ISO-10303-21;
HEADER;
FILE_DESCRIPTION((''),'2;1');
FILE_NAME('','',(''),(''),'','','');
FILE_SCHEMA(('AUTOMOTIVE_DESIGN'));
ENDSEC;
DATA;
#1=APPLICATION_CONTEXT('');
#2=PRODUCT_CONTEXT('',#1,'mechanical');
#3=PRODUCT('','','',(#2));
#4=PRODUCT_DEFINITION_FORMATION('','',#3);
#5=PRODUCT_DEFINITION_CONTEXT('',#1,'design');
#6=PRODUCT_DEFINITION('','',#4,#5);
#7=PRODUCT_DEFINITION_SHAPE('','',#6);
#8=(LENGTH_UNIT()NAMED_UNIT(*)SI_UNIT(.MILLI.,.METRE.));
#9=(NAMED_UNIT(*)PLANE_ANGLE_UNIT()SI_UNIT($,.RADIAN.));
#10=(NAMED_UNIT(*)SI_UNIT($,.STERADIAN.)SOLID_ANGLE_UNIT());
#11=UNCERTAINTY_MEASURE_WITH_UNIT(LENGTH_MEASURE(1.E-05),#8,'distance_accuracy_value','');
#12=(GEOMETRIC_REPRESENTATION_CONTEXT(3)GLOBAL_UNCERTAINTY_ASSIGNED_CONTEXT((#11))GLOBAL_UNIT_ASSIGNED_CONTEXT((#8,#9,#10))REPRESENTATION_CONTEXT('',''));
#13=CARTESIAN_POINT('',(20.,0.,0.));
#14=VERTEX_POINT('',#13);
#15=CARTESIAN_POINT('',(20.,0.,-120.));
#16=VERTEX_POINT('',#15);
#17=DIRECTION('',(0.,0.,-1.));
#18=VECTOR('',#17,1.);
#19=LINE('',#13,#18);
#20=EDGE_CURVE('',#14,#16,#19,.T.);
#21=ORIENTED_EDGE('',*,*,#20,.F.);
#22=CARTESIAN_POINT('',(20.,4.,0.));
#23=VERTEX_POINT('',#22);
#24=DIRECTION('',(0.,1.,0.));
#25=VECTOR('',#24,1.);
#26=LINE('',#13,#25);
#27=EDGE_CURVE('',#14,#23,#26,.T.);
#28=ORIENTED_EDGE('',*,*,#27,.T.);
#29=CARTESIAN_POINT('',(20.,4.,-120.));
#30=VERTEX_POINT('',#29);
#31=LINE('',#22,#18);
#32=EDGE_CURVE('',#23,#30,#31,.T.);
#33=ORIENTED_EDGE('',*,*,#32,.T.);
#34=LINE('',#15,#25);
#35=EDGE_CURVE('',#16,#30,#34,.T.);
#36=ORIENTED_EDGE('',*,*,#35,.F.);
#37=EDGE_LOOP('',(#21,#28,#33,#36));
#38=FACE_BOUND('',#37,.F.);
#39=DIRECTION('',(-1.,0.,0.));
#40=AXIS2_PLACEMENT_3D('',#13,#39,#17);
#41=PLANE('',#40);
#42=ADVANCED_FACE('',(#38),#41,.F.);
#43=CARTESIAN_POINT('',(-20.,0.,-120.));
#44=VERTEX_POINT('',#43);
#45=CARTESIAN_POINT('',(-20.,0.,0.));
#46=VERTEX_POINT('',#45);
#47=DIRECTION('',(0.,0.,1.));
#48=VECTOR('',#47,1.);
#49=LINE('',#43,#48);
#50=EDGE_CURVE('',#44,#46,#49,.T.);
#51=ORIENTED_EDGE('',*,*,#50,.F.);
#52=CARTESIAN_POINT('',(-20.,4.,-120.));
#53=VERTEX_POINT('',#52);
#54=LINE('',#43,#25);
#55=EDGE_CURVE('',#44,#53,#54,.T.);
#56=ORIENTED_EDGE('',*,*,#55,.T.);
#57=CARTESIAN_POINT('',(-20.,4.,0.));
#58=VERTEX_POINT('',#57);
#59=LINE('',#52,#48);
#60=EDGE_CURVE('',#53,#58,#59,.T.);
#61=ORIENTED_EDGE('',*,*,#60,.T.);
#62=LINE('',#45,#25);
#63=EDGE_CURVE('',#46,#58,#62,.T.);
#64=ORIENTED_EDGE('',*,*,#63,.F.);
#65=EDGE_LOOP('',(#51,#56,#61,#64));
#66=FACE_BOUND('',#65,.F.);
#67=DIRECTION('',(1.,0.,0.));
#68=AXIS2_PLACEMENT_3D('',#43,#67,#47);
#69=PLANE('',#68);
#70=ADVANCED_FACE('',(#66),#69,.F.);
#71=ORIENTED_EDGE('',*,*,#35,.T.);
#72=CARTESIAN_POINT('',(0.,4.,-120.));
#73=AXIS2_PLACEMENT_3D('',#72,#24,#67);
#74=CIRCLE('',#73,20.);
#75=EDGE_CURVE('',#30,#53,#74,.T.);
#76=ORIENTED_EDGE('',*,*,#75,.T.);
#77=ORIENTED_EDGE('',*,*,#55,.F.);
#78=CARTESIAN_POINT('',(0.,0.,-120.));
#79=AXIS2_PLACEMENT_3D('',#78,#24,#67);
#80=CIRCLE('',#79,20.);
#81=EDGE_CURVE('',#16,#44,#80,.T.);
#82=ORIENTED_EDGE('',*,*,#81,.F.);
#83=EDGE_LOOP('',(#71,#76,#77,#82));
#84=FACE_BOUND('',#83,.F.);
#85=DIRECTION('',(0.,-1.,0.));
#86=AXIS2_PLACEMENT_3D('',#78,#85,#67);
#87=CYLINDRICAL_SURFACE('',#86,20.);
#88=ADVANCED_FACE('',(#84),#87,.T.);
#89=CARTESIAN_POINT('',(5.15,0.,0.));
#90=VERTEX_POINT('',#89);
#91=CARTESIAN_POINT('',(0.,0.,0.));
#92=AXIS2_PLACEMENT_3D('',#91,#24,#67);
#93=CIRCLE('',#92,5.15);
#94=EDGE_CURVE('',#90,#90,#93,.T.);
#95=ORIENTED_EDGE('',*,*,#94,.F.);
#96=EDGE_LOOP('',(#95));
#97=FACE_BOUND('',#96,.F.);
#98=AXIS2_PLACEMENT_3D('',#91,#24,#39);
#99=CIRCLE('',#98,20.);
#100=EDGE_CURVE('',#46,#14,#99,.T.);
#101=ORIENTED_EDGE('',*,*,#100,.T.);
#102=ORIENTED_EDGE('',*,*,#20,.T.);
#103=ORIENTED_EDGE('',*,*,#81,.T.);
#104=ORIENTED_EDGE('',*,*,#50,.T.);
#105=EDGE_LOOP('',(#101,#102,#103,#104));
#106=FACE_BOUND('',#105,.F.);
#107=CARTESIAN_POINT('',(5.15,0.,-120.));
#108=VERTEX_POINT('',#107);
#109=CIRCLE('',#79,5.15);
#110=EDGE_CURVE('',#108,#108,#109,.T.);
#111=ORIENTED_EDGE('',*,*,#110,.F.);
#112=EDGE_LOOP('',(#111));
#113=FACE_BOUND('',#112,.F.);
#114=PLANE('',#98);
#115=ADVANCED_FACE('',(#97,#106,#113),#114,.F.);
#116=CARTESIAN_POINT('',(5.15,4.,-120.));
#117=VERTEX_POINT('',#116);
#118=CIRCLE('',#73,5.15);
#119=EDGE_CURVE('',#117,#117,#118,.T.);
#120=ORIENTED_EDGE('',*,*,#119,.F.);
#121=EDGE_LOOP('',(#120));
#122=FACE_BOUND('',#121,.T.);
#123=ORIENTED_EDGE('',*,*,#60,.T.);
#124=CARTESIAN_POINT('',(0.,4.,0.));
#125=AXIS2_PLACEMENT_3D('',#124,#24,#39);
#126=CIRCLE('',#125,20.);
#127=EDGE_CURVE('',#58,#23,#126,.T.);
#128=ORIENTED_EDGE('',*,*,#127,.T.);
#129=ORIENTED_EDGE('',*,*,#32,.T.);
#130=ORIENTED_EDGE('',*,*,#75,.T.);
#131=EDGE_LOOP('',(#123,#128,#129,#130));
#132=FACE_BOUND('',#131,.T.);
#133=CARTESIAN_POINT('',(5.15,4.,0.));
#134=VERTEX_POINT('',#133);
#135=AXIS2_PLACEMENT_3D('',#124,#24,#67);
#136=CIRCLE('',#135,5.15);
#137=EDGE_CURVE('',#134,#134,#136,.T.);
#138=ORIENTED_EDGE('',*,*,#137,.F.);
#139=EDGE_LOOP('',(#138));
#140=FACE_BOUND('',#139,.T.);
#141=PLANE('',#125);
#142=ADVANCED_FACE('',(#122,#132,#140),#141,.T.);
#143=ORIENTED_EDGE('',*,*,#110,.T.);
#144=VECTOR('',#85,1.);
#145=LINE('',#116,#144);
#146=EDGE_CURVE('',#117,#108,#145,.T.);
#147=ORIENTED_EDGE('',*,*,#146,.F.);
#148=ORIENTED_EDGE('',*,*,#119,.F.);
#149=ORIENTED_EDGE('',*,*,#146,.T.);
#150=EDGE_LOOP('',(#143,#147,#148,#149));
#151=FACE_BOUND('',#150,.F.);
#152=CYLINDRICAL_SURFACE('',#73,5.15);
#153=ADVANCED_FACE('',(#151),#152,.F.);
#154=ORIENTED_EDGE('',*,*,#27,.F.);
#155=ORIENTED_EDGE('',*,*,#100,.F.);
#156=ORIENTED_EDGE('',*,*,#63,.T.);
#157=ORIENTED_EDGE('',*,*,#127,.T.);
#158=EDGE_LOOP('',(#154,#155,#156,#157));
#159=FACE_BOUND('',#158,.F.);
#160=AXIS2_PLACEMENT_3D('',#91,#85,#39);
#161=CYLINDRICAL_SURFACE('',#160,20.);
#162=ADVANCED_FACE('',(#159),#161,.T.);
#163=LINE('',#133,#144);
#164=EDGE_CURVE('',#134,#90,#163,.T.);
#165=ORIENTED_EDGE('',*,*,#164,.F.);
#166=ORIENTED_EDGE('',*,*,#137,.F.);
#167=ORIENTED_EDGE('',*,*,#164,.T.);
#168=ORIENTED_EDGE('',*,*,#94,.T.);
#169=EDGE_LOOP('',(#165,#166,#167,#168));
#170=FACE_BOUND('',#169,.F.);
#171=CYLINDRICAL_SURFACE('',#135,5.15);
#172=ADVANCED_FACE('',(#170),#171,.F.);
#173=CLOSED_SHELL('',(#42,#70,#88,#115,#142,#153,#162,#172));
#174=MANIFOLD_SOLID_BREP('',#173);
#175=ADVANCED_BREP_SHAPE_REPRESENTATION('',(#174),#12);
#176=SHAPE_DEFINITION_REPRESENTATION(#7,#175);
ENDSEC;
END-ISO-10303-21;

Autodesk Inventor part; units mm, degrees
ref_plane "YZ Plane" through (0, 0, 0) normal (1, 0, 0) x (0, 1, 0)
ref_plane "XZ Plane" through (0, 0, 0) normal (0, 1, 0) x (-1, 0, 0)
ref_plane "XY Plane" through (0, 0, 0) normal (0, 0, 1) x (1, 0, 0)
sketch "Sketch1" plane through (0, 0, 0) normal (0, 1, 0) x (-1, 0, 0)
  line L0 (0, 0) -> (0, -120) construction
  line L1 (-20, 0) -> (-20, -120)
  line L2 (20, -120) -> (20, 0)
  arc A0 (20, 0) -> (-20, 0) centre (0, 0) ccw
  arc A1 (-20, -120) -> (20, -120) centre (0, -120) ccw
  point P0 (0, -60)
  dimension "d0" = 120
  dimension "d1" = 40
extrude "Extrusion1" add sketch "Sketch1" along normal blind 4
sketch "Sketch2" plane through (0, 4, 0) normal (0, 1, 0) x (1, 0, 0)
  circle A0 centre (0, 0) radius 5.15
  arc A1 (20, 120) -> (-20, 120) centre (0, 120) ccw projected
  circle A2 centre (0, 120) radius 5.15
  dimension "d4" = 10.3
  dimension "d5" = 10.3
extrude "Extrusion2" cut sketch "Sketch2" against normal blind 4
properties part number "onderbeen"
